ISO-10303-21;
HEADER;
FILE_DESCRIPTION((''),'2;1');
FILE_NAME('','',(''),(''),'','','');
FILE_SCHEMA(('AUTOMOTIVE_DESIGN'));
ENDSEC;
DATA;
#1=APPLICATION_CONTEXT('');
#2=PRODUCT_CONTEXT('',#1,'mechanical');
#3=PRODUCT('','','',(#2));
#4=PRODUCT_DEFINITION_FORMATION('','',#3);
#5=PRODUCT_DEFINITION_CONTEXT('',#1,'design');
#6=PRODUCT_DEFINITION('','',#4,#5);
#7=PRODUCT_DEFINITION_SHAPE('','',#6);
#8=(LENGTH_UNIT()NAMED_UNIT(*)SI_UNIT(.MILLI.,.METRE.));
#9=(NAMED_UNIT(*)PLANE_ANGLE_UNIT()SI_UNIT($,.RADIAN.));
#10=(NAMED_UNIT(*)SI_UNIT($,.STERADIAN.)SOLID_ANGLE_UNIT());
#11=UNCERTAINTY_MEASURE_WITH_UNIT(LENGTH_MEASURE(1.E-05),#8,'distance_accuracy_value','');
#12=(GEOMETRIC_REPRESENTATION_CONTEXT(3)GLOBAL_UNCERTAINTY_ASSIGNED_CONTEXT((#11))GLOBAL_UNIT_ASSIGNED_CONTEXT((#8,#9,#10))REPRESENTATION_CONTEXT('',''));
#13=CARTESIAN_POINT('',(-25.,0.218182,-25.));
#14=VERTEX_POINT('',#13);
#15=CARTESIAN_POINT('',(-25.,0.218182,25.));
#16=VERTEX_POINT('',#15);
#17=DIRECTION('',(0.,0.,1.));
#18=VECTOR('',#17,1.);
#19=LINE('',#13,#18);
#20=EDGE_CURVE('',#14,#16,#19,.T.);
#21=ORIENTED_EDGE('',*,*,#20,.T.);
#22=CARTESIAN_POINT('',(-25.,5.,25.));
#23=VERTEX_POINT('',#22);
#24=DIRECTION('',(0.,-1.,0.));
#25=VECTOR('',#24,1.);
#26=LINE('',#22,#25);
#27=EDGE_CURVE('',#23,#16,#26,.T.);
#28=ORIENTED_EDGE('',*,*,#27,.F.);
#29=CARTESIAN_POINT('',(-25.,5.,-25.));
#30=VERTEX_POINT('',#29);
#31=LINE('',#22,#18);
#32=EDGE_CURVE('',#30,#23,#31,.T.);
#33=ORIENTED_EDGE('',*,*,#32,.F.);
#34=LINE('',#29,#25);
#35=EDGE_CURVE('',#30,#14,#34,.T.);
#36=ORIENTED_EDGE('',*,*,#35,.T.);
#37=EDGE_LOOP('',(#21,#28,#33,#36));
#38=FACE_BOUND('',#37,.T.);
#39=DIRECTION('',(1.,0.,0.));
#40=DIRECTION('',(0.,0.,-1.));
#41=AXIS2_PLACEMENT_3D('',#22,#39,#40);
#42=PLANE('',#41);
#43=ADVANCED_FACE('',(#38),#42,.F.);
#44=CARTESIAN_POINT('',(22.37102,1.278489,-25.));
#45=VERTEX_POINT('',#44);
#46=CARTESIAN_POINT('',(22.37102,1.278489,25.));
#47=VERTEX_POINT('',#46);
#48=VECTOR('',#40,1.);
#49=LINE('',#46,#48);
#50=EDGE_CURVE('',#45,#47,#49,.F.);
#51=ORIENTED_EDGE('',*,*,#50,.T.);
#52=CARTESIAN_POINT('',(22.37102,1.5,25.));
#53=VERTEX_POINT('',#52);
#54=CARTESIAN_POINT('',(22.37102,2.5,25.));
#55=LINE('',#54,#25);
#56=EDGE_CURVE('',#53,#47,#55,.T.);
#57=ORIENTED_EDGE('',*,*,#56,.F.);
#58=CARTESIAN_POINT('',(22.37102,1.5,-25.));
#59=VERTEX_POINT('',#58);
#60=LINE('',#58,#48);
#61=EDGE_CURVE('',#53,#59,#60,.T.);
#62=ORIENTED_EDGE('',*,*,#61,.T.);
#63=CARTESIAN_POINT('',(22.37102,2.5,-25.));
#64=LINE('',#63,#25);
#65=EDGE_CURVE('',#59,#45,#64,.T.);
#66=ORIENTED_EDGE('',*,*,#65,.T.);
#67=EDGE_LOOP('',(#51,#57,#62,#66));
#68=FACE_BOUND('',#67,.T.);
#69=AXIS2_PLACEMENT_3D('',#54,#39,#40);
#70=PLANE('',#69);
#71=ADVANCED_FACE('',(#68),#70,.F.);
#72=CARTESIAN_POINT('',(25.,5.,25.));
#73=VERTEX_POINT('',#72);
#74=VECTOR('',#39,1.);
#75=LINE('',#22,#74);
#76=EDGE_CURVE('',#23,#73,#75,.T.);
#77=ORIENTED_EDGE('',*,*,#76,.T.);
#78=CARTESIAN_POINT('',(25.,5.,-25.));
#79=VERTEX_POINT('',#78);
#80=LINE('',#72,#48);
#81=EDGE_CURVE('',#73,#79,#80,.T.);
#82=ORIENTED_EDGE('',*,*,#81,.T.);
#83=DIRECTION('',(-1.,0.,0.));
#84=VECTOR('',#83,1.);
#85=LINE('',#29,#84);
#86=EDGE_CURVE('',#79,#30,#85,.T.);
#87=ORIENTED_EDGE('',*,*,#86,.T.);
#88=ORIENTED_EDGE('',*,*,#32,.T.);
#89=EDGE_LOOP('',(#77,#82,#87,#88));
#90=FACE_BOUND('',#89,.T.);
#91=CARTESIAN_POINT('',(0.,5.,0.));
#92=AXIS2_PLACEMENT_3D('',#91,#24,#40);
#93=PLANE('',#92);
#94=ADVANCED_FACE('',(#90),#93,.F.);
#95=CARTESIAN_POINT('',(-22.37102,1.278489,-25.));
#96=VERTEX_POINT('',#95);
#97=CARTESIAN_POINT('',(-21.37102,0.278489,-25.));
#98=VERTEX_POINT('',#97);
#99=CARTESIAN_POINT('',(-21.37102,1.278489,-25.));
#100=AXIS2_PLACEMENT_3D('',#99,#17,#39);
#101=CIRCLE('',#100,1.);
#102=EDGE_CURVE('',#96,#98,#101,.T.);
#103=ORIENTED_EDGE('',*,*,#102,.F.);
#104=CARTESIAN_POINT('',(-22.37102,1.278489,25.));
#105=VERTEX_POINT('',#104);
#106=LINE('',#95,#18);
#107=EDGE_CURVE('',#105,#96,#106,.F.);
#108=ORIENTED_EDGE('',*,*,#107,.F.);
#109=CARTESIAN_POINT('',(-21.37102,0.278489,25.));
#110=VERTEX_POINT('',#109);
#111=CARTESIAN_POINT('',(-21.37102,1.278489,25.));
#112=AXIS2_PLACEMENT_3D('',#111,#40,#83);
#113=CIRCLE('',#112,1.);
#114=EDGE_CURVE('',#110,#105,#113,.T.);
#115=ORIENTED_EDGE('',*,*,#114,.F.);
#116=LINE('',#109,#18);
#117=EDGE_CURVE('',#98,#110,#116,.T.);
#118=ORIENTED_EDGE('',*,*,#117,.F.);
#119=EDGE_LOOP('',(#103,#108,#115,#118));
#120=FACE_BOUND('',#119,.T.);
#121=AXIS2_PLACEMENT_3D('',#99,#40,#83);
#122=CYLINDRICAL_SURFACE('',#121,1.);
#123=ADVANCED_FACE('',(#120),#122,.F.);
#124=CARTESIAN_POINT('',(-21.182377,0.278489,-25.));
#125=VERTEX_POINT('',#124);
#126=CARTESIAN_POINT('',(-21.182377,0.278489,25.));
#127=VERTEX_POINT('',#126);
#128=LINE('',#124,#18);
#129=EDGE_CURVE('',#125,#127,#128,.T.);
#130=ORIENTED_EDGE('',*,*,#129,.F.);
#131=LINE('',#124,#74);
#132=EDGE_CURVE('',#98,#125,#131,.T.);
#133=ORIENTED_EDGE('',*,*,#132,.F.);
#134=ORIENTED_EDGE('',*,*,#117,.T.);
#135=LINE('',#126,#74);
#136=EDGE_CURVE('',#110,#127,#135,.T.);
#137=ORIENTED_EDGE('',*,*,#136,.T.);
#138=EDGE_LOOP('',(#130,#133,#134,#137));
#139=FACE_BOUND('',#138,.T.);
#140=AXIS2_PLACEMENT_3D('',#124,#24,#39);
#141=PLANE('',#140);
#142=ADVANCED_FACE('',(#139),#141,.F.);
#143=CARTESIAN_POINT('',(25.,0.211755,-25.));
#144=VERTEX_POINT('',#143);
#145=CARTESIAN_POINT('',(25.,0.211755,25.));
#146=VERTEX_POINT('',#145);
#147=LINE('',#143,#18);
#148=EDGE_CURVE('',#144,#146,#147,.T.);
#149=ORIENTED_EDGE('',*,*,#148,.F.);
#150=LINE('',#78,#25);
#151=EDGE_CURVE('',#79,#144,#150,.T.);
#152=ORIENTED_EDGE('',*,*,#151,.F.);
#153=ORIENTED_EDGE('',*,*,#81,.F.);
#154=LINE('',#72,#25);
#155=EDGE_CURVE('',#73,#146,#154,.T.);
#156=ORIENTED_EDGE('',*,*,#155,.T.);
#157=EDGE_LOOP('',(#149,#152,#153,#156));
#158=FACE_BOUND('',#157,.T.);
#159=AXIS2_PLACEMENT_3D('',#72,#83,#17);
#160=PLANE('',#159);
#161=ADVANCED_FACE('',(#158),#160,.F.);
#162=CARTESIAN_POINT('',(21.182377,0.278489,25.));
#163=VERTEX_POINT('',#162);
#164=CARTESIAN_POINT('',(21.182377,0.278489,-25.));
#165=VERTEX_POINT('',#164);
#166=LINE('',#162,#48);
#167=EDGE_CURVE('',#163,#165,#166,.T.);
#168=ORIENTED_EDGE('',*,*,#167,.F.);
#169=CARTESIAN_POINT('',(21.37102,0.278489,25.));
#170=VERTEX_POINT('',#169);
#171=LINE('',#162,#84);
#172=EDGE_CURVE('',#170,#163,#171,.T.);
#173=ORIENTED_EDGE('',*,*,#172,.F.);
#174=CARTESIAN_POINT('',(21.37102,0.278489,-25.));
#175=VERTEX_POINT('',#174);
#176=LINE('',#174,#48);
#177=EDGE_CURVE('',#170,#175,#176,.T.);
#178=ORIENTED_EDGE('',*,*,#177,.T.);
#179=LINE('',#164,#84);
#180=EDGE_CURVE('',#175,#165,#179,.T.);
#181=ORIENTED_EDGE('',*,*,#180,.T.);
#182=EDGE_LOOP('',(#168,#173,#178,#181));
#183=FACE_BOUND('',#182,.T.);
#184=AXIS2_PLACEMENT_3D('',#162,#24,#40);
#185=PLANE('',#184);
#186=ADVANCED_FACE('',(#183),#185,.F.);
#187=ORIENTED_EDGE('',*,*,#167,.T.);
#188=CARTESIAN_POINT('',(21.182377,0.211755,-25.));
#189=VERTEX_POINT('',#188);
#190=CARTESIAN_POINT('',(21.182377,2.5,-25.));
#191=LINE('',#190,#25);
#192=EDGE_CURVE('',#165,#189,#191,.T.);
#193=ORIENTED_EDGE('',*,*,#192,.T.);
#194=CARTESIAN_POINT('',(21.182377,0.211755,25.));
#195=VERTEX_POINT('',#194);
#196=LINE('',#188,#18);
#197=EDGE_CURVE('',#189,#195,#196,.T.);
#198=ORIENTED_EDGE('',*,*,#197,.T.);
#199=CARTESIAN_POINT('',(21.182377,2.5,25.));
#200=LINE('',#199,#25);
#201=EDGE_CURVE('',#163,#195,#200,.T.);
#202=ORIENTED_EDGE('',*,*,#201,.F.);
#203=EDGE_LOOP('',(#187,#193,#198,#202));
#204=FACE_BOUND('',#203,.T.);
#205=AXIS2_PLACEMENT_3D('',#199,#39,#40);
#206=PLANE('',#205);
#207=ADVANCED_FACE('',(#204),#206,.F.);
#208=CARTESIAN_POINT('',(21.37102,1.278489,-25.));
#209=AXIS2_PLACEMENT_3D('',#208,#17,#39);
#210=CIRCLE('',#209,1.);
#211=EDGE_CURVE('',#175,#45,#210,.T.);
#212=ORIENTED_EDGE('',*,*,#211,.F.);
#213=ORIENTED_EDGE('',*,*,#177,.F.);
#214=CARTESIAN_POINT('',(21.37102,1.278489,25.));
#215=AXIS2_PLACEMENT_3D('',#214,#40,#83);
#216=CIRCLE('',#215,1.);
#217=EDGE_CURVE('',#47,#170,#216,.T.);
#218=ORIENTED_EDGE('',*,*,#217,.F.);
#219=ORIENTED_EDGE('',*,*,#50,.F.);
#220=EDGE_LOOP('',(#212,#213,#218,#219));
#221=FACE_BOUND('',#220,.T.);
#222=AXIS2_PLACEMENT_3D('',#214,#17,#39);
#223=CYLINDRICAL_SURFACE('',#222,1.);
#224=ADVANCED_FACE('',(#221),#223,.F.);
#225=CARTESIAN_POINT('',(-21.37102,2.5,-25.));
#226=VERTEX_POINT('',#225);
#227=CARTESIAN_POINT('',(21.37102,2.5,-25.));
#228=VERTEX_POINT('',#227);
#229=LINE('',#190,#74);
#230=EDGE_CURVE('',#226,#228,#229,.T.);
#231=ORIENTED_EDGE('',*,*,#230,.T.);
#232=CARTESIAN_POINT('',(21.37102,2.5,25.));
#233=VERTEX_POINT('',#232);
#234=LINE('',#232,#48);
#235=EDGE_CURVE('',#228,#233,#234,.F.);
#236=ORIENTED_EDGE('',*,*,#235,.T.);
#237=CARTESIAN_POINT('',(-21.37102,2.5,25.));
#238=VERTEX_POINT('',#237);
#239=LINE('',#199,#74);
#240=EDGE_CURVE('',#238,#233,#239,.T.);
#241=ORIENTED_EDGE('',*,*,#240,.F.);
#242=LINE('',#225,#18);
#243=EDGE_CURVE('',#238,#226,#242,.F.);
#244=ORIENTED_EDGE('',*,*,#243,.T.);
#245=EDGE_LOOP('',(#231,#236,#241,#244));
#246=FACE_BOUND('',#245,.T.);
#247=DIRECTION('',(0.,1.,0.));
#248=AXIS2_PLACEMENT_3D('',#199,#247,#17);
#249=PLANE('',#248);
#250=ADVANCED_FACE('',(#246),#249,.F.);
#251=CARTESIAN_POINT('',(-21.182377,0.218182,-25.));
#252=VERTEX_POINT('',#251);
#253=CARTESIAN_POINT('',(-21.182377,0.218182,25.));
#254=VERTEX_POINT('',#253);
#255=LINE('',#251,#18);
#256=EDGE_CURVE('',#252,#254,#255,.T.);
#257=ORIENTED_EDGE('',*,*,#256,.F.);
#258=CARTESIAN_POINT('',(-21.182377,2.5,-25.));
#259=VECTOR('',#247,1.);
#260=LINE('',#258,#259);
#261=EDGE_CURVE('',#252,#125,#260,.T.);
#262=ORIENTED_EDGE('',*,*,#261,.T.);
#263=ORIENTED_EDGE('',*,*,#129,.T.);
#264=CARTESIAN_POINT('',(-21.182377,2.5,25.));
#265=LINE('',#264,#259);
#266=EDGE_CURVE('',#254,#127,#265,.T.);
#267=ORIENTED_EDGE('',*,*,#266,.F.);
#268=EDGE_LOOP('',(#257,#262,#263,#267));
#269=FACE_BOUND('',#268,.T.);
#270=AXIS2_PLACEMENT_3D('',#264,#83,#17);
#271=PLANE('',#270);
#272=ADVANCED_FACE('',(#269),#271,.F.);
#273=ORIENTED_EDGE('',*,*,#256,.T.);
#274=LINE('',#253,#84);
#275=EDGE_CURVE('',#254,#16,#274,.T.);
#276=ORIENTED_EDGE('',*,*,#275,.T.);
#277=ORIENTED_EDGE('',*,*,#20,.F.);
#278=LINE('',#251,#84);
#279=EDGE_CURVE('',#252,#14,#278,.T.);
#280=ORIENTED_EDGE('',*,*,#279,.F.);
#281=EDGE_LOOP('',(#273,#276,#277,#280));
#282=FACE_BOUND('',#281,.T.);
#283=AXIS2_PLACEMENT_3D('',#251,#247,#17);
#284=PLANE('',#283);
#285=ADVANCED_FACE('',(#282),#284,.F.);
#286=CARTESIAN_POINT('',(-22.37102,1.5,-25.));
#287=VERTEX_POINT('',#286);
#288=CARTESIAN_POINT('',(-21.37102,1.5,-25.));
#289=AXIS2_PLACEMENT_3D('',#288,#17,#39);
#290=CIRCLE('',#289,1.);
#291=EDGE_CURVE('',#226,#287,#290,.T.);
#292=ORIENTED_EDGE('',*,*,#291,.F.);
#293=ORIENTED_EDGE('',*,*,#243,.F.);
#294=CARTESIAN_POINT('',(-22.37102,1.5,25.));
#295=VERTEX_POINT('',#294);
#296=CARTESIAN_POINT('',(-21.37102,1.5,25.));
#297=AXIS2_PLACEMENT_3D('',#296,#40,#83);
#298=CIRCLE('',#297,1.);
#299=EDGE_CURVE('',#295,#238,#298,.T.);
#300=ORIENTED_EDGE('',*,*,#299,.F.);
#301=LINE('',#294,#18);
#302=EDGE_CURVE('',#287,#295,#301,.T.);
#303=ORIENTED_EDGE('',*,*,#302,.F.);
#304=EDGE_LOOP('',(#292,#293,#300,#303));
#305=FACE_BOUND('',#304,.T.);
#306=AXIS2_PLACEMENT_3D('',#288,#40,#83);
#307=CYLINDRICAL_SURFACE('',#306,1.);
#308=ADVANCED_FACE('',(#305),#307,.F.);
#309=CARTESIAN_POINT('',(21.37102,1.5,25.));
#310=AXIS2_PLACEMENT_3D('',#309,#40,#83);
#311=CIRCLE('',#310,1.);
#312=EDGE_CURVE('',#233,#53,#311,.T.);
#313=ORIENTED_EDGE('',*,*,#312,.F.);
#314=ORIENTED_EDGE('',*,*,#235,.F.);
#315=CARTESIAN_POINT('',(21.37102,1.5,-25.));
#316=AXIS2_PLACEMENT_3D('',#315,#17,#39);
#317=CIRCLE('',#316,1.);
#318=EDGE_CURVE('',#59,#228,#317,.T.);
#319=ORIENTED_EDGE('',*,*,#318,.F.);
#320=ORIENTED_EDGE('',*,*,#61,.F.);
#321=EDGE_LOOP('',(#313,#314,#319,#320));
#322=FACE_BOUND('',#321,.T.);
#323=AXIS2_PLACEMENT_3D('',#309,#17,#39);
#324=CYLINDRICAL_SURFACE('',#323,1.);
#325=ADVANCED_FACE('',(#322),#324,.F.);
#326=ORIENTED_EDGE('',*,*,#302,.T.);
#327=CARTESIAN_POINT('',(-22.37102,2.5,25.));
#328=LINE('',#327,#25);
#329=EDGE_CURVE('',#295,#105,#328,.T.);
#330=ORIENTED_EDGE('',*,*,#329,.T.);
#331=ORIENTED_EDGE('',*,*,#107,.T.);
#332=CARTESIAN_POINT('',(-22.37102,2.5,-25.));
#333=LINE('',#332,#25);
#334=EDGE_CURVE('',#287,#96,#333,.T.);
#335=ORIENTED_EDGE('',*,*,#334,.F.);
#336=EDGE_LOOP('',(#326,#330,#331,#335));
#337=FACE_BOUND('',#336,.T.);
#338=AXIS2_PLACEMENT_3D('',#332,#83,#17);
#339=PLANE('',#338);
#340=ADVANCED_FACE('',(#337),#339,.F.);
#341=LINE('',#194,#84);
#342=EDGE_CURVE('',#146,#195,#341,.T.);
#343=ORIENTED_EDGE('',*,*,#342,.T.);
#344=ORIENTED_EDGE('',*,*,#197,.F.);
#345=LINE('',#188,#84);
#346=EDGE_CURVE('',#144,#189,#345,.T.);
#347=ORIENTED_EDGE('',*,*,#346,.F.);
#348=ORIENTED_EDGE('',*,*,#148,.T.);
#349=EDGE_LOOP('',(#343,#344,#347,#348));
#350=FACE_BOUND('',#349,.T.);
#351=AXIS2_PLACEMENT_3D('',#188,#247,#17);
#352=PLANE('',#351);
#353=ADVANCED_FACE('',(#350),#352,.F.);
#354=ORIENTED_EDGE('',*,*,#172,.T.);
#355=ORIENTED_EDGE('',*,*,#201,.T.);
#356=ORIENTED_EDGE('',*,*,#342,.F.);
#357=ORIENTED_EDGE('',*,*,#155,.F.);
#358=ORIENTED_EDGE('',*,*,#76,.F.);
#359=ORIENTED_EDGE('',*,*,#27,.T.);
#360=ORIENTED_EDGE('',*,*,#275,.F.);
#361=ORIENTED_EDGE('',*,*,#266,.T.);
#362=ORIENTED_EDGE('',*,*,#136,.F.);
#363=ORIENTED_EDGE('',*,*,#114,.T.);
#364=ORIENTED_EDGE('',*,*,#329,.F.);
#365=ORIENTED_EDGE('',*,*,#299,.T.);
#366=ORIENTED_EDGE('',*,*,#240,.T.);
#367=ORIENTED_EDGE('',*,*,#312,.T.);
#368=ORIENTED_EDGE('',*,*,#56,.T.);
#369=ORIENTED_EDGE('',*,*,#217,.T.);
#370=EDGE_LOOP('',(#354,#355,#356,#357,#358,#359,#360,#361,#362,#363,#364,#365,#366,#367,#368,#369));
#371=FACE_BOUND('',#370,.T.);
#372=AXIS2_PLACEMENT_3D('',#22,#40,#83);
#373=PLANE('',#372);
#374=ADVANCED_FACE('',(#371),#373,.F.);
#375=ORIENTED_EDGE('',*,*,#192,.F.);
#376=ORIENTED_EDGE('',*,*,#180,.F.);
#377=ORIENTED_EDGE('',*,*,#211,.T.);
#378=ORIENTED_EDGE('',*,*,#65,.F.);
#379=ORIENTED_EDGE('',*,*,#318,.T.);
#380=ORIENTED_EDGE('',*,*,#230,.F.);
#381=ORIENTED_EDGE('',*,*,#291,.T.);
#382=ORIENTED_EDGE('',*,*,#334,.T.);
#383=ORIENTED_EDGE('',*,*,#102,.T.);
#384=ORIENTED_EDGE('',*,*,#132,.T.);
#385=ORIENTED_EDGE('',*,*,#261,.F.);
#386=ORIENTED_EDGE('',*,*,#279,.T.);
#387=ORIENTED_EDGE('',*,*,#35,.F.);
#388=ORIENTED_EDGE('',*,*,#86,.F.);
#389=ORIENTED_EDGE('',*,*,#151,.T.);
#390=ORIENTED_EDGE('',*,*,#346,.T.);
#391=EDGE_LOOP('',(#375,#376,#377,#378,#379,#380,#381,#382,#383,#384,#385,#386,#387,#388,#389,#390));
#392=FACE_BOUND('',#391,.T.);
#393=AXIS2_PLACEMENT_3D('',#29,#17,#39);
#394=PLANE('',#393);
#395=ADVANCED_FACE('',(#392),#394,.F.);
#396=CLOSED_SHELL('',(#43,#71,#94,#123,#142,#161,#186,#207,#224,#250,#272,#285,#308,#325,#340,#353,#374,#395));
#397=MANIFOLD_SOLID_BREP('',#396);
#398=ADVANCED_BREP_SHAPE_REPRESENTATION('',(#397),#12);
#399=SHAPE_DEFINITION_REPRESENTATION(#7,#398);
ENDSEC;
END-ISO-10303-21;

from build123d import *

# Parameters (mm, degrees)
SKETCH2_W           = 50
SKETCH2_H           = 50
BOSS_EXTRUDE1_DEPTH = 5
SKETCH6_W           = 42.36475395
SKETCH6_H           = 2.5
CUT_EXTRUDE1_DEPTH  = 50
SKETCH9_W           = 1.188642814
SKETCH9_H           = 2.221510963
CUT_EXTRUDE3_DEPTH  = 50
FILLET2_R           = 1
FILLET3_R           = 1
SKETCH11_W          = 1.18864281
SKETCH11_H          = 2.22151096
CUT_EXTRUDE4_DEPTH  = 50
FILLET5_R           = 1
FILLET6_R           = 1
SKETCH14_W          = 3.817623025
SKETCH14_H          = 0.21818248
CUT_EXTRUDE5_DEPTH  = 50
SKETCH16_W          = 3.817623025
SKETCH16_H          = 0.211754728
CUT_EXTRUDE6_DEPTH  = 50


with BuildPart() as part:
    # Sketch2 → Boss-Extrude1 (new body)
    with BuildSketch(Plane(origin=(0, 0, 0), x_dir=(1, 0, 0), z_dir=(0, 1, 0))):
        Rectangle(SKETCH2_W, SKETCH2_H)
    extrude(amount=BOSS_EXTRUDE1_DEPTH)

    # Sketch6 → Cut-Extrude1 (cut)
    with BuildSketch(Plane(origin=(0, 0, -25), x_dir=(-1, 0, 0), z_dir=(0, 0, -1))):
        with Locations((0, 1.25)):
            Rectangle(SKETCH6_W, SKETCH6_H)
    extrude(amount=-CUT_EXTRUDE1_DEPTH, mode=Mode.SUBTRACT)

    # Sketch9 → Cut-Extrude3 (cut)
    with BuildSketch(Plane(origin=(0, 0, -25), x_dir=(-1, 0, 0), z_dir=(0, 0, -1))):
        with Locations((-21.776698382, 1.389244518)):
            Rectangle(SKETCH9_W, SKETCH9_H)
    extrude(amount=-CUT_EXTRUDE3_DEPTH, mode=Mode.SUBTRACT)

    # Fillet2
    fillet2_edges = [part.edges().sort_by_distance(p)[0] for p in [
        (22.371019789, 2.5, 0),
    ]]
    fillet(fillet2_edges, radius=FILLET2_R)

    # Fillet3
    fillet3_edges = [part.edges().sort_by_distance(p)[0] for p in [
        (22.371019789, 0.278489037, 0),
    ]]
    fillet(fillet3_edges, radius=FILLET3_R)

    # Sketch11 → Cut-Extrude4 (cut)
    with BuildSketch(Plane.XY.offset(25)):
        with Locations((-21.77669838, 1.38924452)):
            Rectangle(SKETCH11_W, SKETCH11_H)
    extrude(amount=-CUT_EXTRUDE4_DEPTH, mode=Mode.SUBTRACT)

    # Fillet5
    fillet5_edges = [part.edges().sort_by_distance(p)[0] for p in [
        (-22.371019785, 2.5, 0),
    ]]
    fillet(fillet5_edges, radius=FILLET5_R)

    # Fillet6
    fillet6_edges = [part.edges().sort_by_distance(p)[0] for p in [
        (-22.371019785, 0.27848904, 0),
    ]]
    fillet(fillet6_edges, radius=FILLET6_R)

    # Sketch14 → Cut-Extrude5 (cut)
    with BuildSketch(Plane.XY.offset(25)):
        with Locations((-23.091188487, 0.10909124)):
            Rectangle(SKETCH14_W, SKETCH14_H)
    extrude(amount=-CUT_EXTRUDE5_DEPTH, mode=Mode.SUBTRACT)

    # Sketch16 → Cut-Extrude6 (cut)
    with BuildSketch(Plane.XY.offset(25)):
        with Locations((23.091188487, 0.105877364)):
            Rectangle(SKETCH16_W, SKETCH16_H)
    extrude(amount=-CUT_EXTRUDE6_DEPTH, mode=Mode.SUBTRACT)


solid = part.part
